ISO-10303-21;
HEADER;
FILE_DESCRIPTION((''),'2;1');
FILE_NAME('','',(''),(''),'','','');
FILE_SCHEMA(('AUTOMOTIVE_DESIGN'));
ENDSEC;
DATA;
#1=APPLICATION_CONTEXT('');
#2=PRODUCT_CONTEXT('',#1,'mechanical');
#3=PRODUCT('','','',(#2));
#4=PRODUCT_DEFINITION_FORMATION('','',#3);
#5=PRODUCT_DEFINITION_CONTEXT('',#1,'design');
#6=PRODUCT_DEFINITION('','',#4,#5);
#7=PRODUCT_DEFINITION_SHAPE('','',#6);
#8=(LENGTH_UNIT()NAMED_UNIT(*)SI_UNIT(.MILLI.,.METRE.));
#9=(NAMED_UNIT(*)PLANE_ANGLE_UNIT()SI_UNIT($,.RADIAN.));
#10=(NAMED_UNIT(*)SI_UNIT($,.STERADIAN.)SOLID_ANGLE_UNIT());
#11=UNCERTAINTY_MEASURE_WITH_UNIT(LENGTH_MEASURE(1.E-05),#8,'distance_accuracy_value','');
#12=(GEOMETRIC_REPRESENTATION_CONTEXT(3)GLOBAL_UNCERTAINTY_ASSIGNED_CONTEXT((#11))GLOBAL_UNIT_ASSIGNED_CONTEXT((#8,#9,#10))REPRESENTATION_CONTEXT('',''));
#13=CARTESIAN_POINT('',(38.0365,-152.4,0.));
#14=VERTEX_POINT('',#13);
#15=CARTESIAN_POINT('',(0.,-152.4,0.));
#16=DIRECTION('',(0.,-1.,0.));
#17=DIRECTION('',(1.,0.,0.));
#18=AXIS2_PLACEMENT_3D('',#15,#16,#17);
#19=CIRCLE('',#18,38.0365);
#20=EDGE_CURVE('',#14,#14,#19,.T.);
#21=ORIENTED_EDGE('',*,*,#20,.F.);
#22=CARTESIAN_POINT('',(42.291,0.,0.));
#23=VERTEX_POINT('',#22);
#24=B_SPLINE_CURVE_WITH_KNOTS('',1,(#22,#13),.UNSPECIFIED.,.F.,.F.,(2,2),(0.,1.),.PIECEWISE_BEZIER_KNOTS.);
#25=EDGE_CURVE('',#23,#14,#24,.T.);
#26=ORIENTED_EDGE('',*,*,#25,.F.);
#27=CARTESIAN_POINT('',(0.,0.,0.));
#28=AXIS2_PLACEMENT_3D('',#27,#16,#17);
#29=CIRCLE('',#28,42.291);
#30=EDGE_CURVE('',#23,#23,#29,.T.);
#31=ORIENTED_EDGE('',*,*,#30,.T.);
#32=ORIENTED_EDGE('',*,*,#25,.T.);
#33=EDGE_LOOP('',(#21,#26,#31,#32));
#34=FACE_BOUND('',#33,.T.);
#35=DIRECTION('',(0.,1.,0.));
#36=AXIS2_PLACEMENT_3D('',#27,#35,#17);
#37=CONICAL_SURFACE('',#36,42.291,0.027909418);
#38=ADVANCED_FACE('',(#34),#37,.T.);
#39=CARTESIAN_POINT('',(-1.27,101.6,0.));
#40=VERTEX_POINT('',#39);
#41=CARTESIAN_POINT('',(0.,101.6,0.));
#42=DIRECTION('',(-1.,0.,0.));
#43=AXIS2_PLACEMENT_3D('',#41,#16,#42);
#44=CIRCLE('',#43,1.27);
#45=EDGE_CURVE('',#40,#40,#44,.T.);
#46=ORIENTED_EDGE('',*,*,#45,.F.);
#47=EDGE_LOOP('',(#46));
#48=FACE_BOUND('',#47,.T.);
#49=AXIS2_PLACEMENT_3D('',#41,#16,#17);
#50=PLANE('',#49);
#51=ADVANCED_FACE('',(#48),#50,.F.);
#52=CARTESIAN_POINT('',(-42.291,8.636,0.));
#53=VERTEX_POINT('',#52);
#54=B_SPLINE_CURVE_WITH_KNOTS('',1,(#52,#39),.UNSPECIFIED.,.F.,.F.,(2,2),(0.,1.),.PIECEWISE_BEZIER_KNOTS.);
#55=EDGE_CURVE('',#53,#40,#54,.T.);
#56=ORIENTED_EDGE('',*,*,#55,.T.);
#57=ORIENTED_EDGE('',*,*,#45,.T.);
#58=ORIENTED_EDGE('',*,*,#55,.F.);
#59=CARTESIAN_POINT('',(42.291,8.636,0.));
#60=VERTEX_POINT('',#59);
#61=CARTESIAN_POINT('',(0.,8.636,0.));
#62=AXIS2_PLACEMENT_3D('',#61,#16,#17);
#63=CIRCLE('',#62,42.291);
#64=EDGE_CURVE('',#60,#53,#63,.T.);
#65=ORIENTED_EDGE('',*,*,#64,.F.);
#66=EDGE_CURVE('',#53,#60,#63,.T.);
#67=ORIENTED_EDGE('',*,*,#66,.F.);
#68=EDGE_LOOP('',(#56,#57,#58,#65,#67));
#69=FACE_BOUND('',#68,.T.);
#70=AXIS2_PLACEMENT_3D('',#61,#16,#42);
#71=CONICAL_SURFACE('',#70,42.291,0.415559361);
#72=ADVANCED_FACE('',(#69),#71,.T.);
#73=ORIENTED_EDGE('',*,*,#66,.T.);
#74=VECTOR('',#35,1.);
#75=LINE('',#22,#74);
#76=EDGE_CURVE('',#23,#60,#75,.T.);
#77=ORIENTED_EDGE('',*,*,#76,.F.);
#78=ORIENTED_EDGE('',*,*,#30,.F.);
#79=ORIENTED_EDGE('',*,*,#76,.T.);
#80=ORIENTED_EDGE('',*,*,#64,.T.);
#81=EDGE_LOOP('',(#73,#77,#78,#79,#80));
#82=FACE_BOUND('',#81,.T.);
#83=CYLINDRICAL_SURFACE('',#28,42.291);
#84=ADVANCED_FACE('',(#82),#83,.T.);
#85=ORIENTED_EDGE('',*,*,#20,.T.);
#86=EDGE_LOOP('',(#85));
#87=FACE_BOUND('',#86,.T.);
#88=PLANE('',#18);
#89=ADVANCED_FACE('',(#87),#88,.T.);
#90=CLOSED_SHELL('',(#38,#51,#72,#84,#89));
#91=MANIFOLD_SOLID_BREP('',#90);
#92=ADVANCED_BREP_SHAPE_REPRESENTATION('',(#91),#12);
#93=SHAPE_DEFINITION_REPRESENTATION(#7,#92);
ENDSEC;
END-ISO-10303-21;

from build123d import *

# Parameters (mm, degrees)
F1_R      = 42.291
F2_R      = 38.0365
F4_DEPTH  = 8.636
F4_FACE_R = 42.291
F6_R      = 1.27


with BuildPart() as f3:
    # F1 (on Front) → F3 section 0
    with BuildSketch(Plane.XZ):
        Circle(F1_R)
    # F2 (on offset) → F3 section 1
    with BuildSketch(Plane.XZ.offset(152.4)):
        Circle(F2_R)
    loft()

    # F4 (add): a face of the model
    f4_faces = [f3.faces().sort_by_distance(p)[0] for p in [
        (0, 0, 0),
    ]]
    extrude(f4_faces, amount=F4_DEPTH)

    # F4_face (on face) → F7 section 0
    with BuildSketch(Plane(origin=(0, 8.636, 0), x_dir=(-1, 0, 0), z_dir=(0, 1, 0))):
        Circle(F4_FACE_R)
    # F6 (on offset) → F7 section 1
    with BuildSketch(Plane.XZ.offset(-101.6)):
        Circle(F6_R)
    loft()


solid = f3.part
